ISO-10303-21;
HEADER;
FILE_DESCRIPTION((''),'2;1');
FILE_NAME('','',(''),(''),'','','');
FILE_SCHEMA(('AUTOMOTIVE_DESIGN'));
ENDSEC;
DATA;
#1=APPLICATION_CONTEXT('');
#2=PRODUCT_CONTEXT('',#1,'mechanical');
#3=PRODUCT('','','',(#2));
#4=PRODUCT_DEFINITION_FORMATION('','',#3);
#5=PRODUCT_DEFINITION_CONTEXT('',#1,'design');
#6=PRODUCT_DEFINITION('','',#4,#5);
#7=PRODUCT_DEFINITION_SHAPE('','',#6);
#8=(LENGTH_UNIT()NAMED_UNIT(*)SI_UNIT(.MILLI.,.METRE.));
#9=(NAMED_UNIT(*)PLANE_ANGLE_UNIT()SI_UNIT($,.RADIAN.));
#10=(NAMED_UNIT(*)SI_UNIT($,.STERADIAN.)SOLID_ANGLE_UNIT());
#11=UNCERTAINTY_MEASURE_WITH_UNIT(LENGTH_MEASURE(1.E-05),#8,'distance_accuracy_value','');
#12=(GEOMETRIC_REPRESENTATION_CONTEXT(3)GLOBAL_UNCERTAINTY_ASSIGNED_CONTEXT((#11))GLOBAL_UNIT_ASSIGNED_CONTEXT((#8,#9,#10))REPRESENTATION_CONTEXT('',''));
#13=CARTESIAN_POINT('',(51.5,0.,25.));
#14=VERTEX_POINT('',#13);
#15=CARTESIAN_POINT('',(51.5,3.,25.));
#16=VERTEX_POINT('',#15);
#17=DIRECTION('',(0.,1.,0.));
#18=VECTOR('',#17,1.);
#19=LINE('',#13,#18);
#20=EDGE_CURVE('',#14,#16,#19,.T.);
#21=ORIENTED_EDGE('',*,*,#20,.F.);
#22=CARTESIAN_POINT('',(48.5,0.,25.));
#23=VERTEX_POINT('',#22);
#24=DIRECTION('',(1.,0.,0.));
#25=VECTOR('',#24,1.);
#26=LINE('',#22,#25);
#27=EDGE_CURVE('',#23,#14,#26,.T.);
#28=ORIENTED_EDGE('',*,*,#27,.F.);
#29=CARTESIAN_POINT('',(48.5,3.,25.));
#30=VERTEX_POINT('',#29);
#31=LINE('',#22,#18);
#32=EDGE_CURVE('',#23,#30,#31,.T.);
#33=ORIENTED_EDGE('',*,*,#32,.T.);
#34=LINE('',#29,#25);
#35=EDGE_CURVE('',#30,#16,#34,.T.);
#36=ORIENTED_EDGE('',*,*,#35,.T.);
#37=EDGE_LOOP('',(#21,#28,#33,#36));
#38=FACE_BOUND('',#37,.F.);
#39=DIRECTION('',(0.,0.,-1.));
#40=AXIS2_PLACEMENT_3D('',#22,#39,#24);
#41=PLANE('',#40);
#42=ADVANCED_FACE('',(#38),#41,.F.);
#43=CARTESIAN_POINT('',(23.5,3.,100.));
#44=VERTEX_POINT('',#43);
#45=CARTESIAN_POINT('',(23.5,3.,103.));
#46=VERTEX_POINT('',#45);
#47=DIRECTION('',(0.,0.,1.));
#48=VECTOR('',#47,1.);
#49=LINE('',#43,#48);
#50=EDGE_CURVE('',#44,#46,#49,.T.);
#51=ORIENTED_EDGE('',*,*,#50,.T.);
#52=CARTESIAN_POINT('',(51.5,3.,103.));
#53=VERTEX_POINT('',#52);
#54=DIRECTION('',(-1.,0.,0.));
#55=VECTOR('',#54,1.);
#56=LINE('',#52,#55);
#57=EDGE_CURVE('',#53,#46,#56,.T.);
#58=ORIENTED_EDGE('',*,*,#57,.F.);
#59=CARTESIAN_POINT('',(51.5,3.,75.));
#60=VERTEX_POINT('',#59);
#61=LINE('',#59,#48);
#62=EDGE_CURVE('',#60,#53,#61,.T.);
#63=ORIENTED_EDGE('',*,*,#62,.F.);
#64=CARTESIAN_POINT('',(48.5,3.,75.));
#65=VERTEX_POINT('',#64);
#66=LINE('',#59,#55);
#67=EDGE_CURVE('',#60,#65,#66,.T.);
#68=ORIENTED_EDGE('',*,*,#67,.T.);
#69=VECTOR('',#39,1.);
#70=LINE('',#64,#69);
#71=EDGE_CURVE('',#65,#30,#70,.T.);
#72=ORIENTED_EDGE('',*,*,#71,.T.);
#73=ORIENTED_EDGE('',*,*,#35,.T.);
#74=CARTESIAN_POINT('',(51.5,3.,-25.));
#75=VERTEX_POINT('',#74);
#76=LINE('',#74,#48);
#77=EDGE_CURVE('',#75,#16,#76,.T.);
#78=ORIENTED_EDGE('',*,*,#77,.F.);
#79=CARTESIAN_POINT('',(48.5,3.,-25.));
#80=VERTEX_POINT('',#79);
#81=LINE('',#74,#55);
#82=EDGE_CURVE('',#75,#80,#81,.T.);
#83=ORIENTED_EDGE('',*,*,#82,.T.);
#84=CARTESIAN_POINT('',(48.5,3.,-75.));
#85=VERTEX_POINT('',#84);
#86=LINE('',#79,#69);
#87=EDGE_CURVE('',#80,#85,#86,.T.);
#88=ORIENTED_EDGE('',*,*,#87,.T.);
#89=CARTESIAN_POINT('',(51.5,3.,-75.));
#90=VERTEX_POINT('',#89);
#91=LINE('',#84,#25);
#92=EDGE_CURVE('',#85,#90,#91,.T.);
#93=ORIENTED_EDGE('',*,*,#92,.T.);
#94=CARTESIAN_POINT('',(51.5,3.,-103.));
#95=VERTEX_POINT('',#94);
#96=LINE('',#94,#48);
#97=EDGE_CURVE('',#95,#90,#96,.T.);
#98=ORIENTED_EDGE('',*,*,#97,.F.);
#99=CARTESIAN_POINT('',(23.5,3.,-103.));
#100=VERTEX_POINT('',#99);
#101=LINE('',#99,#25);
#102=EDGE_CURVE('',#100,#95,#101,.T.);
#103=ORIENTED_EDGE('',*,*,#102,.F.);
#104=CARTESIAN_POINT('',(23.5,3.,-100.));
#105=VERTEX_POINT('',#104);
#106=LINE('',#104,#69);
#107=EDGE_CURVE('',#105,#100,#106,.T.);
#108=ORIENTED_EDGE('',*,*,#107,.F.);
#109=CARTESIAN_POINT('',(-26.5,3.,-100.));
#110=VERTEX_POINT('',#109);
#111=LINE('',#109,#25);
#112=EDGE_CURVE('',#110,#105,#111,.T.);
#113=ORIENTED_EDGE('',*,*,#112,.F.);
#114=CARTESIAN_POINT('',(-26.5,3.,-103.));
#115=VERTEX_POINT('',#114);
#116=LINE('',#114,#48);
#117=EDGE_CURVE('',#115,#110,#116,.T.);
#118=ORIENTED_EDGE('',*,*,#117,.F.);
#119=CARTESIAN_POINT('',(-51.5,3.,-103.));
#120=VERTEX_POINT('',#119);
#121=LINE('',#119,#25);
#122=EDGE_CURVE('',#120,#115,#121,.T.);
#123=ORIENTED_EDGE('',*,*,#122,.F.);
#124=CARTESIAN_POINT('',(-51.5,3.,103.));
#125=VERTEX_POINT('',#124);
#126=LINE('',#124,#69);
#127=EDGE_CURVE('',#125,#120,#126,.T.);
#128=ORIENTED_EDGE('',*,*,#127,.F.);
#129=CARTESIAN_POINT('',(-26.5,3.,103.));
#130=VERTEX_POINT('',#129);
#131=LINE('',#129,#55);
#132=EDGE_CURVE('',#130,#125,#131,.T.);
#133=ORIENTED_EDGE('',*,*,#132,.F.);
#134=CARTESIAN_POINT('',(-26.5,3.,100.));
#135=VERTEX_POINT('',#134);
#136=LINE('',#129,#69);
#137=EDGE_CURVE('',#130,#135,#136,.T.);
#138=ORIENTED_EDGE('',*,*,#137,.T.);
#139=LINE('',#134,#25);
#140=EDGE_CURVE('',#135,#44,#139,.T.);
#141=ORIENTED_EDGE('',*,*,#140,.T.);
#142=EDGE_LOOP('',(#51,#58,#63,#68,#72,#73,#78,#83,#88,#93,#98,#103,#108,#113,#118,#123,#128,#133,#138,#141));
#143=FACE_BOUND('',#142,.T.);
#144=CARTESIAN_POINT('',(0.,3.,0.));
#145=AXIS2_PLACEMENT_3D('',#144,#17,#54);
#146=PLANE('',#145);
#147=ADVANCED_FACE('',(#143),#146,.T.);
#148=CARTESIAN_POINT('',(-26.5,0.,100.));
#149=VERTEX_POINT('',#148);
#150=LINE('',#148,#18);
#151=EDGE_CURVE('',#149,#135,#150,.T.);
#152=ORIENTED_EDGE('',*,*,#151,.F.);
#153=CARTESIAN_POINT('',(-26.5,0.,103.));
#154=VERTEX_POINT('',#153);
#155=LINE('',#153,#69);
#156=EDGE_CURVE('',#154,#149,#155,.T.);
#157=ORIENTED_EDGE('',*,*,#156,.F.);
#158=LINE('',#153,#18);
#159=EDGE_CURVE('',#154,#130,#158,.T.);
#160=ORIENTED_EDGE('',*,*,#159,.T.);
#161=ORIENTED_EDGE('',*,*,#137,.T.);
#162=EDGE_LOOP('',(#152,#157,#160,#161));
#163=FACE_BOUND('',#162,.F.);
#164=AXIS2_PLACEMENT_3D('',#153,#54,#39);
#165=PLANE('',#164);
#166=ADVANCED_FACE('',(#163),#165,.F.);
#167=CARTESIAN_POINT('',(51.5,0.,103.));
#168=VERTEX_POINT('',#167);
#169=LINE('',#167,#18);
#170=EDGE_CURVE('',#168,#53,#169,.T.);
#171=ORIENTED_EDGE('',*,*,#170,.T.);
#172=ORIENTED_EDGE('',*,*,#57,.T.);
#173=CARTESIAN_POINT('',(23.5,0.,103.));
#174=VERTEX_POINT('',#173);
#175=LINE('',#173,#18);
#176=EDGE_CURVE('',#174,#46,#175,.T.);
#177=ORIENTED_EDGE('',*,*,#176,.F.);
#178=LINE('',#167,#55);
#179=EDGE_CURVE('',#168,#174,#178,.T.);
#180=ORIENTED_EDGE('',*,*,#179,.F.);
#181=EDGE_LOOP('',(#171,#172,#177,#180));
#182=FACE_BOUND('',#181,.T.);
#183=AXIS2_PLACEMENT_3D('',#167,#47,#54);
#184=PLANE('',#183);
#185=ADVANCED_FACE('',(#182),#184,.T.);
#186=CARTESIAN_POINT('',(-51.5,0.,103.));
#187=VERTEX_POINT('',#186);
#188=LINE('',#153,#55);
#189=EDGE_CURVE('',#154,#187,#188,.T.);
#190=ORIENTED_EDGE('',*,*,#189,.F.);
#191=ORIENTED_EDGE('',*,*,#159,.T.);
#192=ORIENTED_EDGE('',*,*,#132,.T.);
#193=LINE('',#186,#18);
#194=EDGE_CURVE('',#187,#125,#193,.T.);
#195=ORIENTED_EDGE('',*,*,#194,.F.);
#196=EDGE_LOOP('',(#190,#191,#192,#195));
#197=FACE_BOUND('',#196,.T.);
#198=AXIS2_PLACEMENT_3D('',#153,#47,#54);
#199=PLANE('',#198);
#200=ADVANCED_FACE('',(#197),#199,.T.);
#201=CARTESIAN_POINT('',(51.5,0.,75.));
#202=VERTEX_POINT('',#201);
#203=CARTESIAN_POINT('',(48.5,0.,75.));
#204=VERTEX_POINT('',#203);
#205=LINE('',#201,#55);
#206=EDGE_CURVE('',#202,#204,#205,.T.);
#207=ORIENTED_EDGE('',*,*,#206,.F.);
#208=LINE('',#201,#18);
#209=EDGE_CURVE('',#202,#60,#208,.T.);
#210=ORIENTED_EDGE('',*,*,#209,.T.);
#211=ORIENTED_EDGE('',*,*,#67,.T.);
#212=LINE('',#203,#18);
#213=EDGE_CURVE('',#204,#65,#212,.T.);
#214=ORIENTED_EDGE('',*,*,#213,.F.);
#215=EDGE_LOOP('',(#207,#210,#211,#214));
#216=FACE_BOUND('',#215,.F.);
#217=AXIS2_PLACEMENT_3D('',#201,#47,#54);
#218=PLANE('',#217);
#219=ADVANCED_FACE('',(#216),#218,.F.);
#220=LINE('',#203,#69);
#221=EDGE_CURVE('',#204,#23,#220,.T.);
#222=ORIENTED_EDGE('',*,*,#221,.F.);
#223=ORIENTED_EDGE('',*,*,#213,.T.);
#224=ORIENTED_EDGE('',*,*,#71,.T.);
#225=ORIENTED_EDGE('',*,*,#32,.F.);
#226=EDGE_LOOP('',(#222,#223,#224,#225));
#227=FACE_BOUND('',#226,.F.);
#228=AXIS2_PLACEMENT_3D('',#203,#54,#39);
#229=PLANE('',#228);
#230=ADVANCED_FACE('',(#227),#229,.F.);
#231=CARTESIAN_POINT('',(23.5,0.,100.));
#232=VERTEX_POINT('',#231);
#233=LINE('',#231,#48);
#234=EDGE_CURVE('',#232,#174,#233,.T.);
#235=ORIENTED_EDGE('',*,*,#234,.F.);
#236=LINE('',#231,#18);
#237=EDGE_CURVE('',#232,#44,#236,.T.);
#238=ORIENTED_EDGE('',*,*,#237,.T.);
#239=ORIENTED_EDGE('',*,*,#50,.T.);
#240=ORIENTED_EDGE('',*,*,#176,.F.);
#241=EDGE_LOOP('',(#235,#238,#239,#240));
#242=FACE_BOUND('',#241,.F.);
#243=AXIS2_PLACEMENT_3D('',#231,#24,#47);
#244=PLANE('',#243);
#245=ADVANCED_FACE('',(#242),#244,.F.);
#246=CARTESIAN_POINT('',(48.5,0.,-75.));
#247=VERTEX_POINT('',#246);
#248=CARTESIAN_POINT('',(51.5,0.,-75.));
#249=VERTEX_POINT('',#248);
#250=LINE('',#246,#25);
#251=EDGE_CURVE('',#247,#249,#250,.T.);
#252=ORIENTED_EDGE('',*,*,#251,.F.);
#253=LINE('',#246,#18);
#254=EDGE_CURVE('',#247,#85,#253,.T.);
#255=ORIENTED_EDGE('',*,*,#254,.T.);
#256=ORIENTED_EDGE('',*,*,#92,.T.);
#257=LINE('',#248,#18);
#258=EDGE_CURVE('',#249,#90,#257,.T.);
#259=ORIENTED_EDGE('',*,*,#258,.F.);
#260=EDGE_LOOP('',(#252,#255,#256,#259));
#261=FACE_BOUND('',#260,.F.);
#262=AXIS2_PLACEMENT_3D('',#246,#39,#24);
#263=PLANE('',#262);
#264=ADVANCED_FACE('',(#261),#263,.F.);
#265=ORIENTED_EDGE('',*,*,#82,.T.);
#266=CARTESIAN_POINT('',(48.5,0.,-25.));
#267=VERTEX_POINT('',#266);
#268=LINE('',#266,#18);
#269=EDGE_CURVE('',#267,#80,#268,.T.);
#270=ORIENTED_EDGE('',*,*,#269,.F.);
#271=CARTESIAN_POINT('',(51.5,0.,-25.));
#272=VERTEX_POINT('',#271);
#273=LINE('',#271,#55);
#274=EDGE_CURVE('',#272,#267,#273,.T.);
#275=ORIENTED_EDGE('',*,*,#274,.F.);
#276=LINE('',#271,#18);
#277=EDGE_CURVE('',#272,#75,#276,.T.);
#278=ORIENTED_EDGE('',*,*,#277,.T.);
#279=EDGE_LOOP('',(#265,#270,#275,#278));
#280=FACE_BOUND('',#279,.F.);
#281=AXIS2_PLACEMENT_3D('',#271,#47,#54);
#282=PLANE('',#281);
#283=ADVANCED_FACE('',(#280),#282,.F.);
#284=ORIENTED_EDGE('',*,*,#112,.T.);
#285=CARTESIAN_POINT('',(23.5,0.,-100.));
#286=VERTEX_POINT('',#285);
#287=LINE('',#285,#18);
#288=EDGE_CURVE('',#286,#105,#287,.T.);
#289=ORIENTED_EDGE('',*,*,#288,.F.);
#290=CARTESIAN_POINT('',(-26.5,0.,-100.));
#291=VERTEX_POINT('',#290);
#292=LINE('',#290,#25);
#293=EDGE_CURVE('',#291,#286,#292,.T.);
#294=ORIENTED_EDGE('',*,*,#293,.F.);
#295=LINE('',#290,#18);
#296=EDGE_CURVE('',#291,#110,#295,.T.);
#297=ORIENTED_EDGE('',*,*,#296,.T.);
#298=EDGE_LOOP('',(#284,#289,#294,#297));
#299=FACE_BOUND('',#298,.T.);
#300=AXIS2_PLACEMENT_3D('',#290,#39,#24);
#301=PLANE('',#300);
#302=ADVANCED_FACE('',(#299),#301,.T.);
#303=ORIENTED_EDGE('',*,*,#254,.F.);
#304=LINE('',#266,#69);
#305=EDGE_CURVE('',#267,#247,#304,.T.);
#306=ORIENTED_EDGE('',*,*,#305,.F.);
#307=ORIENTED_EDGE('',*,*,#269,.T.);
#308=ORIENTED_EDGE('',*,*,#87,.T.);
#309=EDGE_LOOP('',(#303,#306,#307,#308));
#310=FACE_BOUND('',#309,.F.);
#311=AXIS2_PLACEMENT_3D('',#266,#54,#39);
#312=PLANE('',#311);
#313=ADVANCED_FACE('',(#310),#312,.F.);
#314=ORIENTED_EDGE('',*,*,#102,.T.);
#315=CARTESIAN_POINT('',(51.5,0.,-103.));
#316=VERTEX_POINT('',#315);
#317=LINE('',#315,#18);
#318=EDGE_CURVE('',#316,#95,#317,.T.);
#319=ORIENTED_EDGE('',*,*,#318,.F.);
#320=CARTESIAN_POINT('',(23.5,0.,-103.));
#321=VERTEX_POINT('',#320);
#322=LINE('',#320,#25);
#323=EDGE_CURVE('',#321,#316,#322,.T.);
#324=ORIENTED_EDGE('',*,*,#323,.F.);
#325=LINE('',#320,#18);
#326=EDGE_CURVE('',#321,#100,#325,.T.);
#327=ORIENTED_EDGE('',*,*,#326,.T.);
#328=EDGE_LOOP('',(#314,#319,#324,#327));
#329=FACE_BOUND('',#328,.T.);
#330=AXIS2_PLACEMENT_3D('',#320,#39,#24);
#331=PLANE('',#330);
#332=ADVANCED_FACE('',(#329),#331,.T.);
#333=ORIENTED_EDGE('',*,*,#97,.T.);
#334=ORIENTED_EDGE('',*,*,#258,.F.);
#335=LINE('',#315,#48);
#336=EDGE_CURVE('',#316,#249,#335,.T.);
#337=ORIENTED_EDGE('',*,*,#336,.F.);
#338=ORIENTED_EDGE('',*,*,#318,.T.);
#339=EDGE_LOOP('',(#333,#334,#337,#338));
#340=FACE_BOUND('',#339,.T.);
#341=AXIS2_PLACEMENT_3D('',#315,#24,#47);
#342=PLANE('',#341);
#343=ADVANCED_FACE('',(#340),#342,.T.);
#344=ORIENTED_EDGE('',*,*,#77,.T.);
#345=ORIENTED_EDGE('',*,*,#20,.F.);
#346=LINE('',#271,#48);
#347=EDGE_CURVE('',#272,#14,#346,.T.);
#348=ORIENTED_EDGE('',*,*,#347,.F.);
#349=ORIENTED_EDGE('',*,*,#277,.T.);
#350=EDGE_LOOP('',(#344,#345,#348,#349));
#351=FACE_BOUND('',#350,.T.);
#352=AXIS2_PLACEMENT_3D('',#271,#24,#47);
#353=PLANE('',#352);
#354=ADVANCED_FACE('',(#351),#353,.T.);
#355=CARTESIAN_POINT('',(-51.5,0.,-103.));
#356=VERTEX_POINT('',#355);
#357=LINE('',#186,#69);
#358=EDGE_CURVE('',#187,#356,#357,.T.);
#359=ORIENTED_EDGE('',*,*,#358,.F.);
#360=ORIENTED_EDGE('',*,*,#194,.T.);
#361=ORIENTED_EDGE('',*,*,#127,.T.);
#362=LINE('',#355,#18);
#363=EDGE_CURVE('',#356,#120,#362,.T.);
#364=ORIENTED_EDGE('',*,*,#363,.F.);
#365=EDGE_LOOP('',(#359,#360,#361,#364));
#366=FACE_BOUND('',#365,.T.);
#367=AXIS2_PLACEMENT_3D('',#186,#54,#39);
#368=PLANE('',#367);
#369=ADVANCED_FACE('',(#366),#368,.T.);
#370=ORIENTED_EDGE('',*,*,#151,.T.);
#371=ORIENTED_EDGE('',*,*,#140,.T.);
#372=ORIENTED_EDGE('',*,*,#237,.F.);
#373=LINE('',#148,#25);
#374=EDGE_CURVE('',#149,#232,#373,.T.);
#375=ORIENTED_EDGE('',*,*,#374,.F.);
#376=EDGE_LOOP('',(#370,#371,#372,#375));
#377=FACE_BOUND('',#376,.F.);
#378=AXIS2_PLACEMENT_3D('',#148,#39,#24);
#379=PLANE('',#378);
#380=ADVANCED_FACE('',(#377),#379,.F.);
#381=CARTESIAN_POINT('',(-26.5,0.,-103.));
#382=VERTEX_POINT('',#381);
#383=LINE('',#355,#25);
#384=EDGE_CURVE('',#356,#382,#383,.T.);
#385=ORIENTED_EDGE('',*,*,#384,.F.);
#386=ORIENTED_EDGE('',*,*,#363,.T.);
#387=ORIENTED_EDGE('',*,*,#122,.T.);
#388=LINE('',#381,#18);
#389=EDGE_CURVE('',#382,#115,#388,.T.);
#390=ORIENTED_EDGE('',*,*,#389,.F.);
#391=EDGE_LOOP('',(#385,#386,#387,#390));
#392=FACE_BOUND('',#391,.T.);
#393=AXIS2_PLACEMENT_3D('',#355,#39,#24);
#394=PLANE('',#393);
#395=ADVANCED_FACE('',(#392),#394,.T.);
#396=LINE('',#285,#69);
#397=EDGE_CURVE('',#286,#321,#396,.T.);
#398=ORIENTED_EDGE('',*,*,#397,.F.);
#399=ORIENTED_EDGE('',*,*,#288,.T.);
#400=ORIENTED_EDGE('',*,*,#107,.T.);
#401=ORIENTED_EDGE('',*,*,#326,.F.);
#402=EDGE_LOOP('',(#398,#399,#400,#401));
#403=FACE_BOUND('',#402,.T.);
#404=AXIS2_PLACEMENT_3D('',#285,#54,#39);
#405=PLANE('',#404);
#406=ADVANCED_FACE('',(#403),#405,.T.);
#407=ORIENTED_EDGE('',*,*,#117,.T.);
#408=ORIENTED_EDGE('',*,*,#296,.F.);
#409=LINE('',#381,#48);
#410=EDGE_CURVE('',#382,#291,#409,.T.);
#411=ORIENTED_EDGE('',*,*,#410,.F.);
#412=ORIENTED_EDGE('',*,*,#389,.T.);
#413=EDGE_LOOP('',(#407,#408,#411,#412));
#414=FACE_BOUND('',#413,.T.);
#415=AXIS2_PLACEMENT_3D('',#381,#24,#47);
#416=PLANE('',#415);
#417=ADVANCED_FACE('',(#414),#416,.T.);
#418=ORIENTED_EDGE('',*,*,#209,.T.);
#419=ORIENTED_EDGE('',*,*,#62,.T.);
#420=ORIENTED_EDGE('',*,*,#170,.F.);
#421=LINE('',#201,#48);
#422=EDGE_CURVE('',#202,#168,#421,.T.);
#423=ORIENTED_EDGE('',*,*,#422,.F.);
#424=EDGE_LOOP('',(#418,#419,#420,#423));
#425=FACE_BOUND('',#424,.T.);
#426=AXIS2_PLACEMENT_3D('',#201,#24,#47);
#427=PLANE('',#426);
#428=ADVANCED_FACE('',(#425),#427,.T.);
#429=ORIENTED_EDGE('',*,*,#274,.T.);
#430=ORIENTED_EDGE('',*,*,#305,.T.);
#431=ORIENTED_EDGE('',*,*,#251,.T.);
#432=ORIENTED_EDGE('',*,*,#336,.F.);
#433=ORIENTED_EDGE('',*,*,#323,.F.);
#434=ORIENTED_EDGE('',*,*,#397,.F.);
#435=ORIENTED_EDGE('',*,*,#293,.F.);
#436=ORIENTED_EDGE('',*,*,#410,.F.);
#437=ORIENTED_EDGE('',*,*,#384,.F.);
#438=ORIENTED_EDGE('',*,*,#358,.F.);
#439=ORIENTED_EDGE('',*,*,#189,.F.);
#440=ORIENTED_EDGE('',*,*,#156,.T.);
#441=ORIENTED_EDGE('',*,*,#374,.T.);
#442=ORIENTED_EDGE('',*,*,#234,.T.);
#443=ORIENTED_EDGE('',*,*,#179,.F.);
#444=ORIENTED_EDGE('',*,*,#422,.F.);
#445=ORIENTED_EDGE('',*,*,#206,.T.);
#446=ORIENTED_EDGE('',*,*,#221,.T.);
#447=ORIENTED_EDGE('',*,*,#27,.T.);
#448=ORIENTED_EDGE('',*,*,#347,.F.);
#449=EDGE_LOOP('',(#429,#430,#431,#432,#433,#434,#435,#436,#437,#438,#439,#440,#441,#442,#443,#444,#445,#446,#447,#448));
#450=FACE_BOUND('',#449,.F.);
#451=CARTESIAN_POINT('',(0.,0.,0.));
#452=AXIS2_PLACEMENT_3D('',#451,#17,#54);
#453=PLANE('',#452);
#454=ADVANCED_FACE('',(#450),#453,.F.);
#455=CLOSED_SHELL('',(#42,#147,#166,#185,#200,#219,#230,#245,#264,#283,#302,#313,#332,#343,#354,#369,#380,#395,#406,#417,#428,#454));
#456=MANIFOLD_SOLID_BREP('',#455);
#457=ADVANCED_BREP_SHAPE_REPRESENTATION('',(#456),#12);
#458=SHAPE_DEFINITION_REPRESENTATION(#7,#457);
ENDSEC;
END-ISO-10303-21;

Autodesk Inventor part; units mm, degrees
ref_plane "YZ Plane" through (0, 0, 0) normal (1, 0, 0) x (0, 1, 0)
ref_plane "XZ Plane" through (0, 0, 0) normal (0, 1, 0) x (-1, 0, 0)
ref_plane "XY Plane" through (0, 0, 0) normal (0, 0, 1) x (1, 0, 0)
sketch "Boceto1" plane through (0, 0, 0) normal (0, 1, 0) x (-1, 0, 0)
  line L0 (51.5, 103) -> (51.5, -103)
  line L1 (-51.5, 103) -> (51.5, -103) construction
  line L2 (51.5, 103) -> (-51.5, -103) construction
  line L3 (26.5, 103) -> (26.5, 100)
  line L4 (26.5, 100) -> (-23.5, 100)
  line L5 (-23.5, 100) -> (-23.5, 103)
  line L6 (-51.5, 103) -> (-23.5, 103)
  line L7 (26.5, 103) -> (51.5, 103)
  line L8 (26.5, -103) -> (26.5, -100)
  line L9 (26.5, -100) -> (-23.5, -100)
  line L10 (-23.5, -100) -> (-23.5, -103)
  line L11 (51.5, -103) -> (26.5, -103)
  line L12 (-23.5, -103) -> (-51.5, -103)
  line L13 (-51.5, 75) -> (-48.5, 75)
  line L14 (-48.5, 75) -> (-48.5, 25)
  line L15 (-48.5, 25) -> (-51.5, 25)
  line L16 (-51.5, 75) -> (-51.5, 103)
  line L17 (-51.5, -25) -> (-48.5, -25)
  line L18 (-48.5, -25) -> (-48.5, -75)
  line L19 (-48.5, -75) -> (-51.5, -75)
  line L20 (-51.5, -103) -> (-51.5, -75)
  line L21 (-51.5, -25) -> (-51.5, 25)
  point P0 (0, 0)
  dimension "d4" = 3
  dimension "d5" = 50
  dimension "d7" = 3
  dimension "d8" = 50
  dimension "d24" = 50
  dimension "d30" = 3
  dimension "d33" = 25
  dimension "d35" = 100
  dimension "d36" = 25
  dimension "d38" = 200
extrude "Extrusión1" add sketch "Boceto1" along normal blind 3
properties part number "Piso"
